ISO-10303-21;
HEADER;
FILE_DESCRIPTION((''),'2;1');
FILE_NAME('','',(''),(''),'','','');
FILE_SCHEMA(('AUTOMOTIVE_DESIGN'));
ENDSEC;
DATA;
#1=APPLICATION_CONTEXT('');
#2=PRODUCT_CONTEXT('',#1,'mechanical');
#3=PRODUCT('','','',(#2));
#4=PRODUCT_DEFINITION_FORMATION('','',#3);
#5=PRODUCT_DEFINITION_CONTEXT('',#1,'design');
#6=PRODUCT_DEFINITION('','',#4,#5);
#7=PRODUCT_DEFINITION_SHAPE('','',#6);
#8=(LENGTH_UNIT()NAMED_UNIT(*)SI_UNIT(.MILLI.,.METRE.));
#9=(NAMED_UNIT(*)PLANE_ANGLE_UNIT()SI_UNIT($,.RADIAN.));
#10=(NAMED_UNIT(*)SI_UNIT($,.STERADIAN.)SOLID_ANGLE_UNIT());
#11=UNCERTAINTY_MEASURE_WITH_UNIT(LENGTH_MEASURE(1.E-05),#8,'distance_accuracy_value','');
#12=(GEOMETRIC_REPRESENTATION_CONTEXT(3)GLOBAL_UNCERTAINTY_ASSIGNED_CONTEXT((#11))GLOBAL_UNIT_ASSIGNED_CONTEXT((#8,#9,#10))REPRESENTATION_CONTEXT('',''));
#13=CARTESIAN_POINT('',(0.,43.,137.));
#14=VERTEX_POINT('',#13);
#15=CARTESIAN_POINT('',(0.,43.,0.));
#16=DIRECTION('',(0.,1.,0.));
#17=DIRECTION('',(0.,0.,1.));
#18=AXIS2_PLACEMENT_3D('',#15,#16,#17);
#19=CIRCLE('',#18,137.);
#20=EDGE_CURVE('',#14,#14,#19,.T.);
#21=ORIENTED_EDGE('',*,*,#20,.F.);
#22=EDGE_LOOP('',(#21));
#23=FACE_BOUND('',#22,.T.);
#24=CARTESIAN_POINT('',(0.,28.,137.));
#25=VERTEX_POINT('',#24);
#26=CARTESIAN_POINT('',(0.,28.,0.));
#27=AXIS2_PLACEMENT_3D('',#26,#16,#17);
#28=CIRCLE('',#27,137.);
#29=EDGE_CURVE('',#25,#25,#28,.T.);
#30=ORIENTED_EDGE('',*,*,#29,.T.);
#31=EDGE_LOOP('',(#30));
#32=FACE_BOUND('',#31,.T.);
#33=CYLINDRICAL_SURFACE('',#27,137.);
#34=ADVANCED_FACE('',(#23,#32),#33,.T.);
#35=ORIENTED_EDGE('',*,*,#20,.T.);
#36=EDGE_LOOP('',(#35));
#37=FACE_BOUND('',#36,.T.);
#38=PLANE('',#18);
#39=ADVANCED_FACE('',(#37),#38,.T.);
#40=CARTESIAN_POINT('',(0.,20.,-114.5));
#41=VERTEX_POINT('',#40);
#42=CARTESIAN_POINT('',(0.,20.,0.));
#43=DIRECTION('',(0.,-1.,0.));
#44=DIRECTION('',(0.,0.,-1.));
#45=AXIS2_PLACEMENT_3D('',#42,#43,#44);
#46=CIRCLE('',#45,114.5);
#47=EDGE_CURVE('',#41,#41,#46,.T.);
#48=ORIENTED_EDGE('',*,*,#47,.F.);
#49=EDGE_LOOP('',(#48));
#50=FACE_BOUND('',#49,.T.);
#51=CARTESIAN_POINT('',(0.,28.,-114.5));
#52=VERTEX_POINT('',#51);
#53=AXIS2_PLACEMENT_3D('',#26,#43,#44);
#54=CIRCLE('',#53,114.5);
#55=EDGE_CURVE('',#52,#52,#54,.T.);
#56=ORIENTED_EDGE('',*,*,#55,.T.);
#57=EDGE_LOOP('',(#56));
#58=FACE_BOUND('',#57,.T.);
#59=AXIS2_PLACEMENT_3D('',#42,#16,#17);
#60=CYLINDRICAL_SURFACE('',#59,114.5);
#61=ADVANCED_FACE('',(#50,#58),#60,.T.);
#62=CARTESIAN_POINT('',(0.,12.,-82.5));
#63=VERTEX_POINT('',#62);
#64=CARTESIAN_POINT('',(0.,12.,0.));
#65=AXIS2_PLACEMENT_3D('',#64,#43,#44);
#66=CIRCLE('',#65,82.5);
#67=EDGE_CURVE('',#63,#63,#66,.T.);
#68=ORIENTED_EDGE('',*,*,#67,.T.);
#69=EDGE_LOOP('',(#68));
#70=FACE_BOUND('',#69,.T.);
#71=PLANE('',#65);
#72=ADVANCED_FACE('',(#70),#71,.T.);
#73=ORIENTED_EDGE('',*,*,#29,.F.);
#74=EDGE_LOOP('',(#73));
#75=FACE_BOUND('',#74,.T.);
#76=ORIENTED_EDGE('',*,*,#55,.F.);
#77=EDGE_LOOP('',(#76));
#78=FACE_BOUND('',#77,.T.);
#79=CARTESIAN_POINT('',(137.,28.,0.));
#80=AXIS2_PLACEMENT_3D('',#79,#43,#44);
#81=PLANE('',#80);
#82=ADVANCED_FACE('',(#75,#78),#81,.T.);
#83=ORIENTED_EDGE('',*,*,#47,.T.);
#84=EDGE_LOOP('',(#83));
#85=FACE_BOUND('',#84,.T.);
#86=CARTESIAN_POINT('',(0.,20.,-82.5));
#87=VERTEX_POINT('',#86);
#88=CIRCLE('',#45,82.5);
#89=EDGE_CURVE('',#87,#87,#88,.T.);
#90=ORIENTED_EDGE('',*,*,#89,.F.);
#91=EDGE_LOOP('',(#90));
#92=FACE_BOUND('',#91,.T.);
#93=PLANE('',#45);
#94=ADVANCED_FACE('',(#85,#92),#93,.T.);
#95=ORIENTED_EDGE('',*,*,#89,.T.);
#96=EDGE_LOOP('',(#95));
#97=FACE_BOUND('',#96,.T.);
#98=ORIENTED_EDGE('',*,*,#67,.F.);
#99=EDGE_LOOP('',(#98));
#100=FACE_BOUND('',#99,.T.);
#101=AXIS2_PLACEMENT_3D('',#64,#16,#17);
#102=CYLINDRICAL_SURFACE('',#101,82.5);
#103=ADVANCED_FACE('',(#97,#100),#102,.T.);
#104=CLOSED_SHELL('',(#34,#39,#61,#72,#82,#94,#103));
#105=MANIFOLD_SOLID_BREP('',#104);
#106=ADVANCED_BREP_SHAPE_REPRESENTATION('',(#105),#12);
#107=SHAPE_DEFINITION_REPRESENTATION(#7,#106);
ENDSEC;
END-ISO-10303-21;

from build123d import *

# Parameters (mm, degrees)
SKETCH_1_W      = 137
SKETCH_1_H      = 15
SKETCH_2_R      = 114.5
EXTRUDE_1_DEPTH = 8
SKETCH_3_R      = 82.5
EXTRUDE_2_DEPTH = 8


with BuildPart() as part:
    # 草圖1 → 旋轉1 (revolve)
    with BuildSketch(Plane(origin=(0, 0, 0), x_dir=(-1, 0, 0), z_dir=(0, 0, -1)), mode=Mode.PRIVATE) as revolve_1_sk:
        with Locations((-68.5, 35.5)):
            Rectangle(SKETCH_1_W, SKETCH_1_H)
    revolve(revolve_1_sk.sketch.rotate(Axis((0, 28, 0), (0, 1, 0)), 270), axis=Axis((0, 28, 0), (0, 1, 0)))

    # 草圖2 → 填料-伸長1 (add)
    with BuildSketch(Plane.XZ.offset(-28)):
        with Locations(Location((0, 0, 0), (0, 0, 270))):
            Circle(SKETCH_2_R)
    extrude(amount=EXTRUDE_1_DEPTH)

    # 草圖3 → 填料-伸長2 (add)
    with BuildSketch(Plane.XZ.offset(-20)):
        with Locations(Location((0, 0, 0), (0, 0, 270))):
            Circle(SKETCH_3_R)
    extrude(amount=EXTRUDE_2_DEPTH)


solid = part.part
